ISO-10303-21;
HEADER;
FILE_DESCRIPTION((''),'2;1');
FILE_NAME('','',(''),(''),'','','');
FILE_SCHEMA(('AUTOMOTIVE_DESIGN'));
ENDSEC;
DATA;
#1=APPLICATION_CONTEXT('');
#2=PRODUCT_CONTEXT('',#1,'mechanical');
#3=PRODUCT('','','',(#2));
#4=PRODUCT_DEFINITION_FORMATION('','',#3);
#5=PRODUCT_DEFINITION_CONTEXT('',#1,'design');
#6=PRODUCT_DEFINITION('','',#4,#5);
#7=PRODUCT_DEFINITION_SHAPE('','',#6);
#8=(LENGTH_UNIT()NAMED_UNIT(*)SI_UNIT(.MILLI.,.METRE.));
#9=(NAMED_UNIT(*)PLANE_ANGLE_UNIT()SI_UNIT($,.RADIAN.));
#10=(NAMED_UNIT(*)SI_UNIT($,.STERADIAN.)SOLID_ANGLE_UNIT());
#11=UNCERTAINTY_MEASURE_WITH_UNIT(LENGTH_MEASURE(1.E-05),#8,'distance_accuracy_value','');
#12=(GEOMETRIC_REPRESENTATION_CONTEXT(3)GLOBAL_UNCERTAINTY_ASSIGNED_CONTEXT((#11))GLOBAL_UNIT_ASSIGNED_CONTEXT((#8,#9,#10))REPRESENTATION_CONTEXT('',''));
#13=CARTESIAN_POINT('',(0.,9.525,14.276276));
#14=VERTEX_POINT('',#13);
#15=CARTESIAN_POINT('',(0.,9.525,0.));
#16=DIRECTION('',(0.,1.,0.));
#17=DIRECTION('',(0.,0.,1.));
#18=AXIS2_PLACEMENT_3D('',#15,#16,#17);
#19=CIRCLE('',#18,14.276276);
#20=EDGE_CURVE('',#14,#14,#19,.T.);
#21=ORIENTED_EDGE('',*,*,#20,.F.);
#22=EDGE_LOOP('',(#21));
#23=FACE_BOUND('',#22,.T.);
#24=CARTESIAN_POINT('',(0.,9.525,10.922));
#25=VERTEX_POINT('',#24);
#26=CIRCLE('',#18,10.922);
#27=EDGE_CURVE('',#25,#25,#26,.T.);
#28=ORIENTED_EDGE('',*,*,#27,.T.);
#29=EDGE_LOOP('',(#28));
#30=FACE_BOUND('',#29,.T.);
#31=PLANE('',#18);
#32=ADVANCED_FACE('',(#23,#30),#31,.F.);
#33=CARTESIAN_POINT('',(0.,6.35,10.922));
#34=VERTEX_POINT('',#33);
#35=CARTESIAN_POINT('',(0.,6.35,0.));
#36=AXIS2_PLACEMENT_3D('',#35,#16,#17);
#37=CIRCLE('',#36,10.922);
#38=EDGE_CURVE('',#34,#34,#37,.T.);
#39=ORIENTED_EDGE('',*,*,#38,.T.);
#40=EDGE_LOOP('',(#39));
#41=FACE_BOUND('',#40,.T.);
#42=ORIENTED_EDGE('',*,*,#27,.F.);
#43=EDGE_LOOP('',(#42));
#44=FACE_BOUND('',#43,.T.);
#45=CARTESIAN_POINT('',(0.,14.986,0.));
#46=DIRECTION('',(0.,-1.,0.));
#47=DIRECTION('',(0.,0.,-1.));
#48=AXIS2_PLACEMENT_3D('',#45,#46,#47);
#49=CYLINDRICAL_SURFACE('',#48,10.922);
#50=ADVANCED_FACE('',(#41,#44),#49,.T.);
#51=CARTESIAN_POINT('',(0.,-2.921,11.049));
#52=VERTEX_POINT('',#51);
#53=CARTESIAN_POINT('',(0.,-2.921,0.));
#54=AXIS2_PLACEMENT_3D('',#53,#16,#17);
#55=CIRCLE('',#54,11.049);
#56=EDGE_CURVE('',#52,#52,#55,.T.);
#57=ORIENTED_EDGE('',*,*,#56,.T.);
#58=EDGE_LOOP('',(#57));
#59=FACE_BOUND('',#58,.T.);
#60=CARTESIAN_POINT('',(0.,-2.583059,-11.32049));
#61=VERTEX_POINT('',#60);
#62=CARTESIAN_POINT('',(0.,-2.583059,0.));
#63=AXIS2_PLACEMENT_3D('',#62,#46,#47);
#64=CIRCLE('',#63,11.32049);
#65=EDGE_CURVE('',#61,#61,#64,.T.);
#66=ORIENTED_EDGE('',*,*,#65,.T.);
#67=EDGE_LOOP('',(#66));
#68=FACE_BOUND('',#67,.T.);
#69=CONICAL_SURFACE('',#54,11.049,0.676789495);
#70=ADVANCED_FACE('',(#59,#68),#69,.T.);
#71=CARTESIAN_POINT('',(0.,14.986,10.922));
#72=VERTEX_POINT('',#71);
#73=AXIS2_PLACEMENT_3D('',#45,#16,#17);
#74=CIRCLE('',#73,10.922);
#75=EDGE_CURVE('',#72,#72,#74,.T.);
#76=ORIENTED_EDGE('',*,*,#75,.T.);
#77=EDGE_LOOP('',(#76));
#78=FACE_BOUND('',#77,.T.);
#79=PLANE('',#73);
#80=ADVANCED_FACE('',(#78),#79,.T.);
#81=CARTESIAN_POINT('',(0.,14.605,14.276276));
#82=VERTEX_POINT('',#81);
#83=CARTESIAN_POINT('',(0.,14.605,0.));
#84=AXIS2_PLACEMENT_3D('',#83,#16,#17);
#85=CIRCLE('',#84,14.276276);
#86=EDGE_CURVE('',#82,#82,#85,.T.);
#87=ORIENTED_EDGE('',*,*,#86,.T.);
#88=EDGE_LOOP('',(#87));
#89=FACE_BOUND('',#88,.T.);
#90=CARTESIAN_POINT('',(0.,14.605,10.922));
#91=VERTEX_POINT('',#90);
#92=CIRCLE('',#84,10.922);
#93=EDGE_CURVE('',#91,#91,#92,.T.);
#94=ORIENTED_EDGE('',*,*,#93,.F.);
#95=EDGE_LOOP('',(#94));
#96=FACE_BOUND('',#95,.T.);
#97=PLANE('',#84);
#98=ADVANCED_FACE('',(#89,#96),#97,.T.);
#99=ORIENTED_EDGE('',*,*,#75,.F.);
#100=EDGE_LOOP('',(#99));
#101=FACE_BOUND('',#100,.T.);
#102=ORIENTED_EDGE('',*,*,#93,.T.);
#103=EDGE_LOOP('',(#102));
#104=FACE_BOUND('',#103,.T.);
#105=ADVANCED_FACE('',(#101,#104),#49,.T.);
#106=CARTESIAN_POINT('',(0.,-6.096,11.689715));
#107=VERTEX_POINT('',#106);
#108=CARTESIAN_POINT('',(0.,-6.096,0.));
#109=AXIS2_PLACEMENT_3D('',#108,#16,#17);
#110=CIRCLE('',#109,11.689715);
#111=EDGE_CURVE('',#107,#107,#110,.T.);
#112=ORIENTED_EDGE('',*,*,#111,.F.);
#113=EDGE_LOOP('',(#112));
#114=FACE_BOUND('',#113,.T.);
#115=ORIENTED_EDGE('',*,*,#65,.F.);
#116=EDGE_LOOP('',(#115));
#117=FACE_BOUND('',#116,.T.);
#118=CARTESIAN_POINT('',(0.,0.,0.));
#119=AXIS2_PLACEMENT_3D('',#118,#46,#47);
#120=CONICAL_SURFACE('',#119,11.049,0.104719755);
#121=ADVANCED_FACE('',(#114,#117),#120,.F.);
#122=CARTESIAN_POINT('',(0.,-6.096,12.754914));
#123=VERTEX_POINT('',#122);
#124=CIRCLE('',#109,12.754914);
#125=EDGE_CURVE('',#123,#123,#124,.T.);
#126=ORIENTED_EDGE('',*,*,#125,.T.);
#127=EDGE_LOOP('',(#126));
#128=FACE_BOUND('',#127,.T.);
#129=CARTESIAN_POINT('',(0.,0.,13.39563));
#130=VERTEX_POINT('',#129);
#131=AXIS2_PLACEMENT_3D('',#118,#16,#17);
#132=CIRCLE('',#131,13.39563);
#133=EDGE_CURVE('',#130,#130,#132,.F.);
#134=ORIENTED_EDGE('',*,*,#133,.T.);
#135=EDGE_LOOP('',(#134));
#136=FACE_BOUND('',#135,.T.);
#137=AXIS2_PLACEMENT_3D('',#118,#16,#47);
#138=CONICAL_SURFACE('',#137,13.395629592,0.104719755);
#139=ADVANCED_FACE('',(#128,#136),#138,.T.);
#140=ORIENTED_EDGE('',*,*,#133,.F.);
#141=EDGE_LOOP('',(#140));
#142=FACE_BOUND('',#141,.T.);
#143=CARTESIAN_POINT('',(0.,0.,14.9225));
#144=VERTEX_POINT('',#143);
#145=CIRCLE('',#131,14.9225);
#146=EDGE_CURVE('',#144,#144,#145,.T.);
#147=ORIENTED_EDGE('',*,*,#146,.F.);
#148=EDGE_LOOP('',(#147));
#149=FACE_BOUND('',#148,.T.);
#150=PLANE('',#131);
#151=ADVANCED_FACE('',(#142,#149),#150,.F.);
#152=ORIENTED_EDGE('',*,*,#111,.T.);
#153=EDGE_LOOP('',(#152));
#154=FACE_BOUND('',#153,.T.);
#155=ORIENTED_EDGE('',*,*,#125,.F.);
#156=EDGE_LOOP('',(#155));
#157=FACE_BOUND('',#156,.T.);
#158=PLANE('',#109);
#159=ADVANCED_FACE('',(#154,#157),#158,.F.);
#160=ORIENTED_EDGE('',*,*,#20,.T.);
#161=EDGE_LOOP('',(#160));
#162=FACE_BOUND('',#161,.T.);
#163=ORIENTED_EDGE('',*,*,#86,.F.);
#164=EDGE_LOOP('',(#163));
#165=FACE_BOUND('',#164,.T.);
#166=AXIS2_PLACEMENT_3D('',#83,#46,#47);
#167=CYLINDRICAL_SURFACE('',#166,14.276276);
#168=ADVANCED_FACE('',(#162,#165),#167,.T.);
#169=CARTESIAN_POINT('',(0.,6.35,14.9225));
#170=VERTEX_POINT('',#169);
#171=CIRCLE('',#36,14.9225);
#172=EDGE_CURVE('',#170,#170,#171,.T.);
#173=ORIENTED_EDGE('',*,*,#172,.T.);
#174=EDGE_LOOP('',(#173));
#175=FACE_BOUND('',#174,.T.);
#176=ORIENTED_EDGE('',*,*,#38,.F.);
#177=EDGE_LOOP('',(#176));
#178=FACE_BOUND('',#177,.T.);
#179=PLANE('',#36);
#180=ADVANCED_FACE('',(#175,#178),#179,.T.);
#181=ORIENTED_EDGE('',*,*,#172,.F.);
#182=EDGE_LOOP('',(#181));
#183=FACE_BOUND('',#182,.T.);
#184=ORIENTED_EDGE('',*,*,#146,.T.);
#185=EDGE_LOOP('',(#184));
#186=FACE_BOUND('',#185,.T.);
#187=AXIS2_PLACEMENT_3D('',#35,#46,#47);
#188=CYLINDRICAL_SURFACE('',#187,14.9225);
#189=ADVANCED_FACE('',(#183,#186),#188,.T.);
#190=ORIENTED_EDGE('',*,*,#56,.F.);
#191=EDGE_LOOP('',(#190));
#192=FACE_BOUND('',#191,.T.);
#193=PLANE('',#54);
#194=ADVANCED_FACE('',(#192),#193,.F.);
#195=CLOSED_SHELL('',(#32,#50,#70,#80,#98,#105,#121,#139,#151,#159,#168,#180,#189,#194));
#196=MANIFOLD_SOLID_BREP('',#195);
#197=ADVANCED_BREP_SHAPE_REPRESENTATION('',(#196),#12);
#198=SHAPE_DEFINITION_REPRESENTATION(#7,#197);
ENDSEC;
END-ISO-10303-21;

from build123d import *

# Parameters (mm, degrees)
SKETCH1_R      = 14.9225
EXTRUDE1_DEPTH = 6.35
SKETCH3_R      = 11.049
EXTRUDE2_DEPTH = 9.271
SKETCH5_R      = 10.922
EXTRUDE3_DEPTH = 8.636
SKETCH6_R      = 14.27627633
EXTRUDE4_DEPTH = 5.08
SKETCH7_R      = 13.395629592
SKETCH7_R_2    = 11.049
EXTRUDE5_DEPTH = 6.096
EXTRUDE5_DRAFT = 6


with BuildPart() as part:
    # Sketch1 → Extrude1 (new body)
    with BuildSketch(Plane(origin=(0, 0, 0), x_dir=(1, 0, 0), z_dir=(0, 1, 0))):
        with Locations(Location((0, 0, 0), (0, 0, 270))):
            Circle(SKETCH1_R)
    extrude(amount=EXTRUDE1_DEPTH)

    # Sketch3 → Extrude2 (add)
    with BuildSketch(Plane(origin=(0, -2.921, 0), x_dir=(0, 0, -1), z_dir=(0, 1, 0))):
        with Locations(Location((0, 0, 0), (0, 0, 180))):
            Circle(SKETCH3_R)
    extrude(amount=EXTRUDE2_DEPTH)

    # Sketch4 → Revolve1 (revolve)
    with BuildSketch(Plane(origin=(0, 0, 0), x_dir=(0, 0, 1), z_dir=(1, 0, 0)), mode=Mode.PRIVATE) as revolve1_sk:
        Polygon((-11.049, 2.921), (-14.336865125, -1.171616093), (-11.049, -1.171616093), align=None)
    revolve(revolve1_sk.sketch.rotate(Axis((0, 1.376246897, 0), (0, -1, 0)), 180), axis=Axis((0, 1.376246897, 0), (0, -1, 0)))

    # Sketch5 → Extrude3 (add)
    with BuildSketch(Plane(origin=(0, 6.35, 0), x_dir=(-1, 0, 0), z_dir=(0, 1, 0))):
        with Locations(Location((0, 0, 0), (0, 0, 90))):
            Circle(SKETCH5_R)
    extrude(amount=EXTRUDE3_DEPTH)

    # Sketch6 → Extrude4 (add)
    with BuildSketch(Plane.ZX.offset(9.525)):
        Circle(SKETCH6_R)
    extrude(amount=EXTRUDE4_DEPTH)


with BuildPart() as extrude5_tool:
    # Sketch7 → Extrude5 (with draft: the straight prism first)
    with BuildSketch(Plane.XZ):
        Circle(SKETCH7_R)
        Circle(SKETCH7_R_2, mode=Mode.SUBTRACT)
    extrude(amount=EXTRUDE5_DEPTH)
    # Extrude5: the draft: its side faces are tilted about the plane it starts from
    extrude5_sides = [extrude5_tool.faces().sort_by_distance(p)[0] for p in [
        (-13.395629592, -3.048, 0),
        (-11.049, -3.048, 0),
    ]]
    draft(extrude5_sides, Plane.XZ, EXTRUDE5_DRAFT)


with BuildPart() as part_1:
    add(part.part)

    # Extrude5: add extrude5_tool
    add(extrude5_tool.part)


solid = part_1.part
